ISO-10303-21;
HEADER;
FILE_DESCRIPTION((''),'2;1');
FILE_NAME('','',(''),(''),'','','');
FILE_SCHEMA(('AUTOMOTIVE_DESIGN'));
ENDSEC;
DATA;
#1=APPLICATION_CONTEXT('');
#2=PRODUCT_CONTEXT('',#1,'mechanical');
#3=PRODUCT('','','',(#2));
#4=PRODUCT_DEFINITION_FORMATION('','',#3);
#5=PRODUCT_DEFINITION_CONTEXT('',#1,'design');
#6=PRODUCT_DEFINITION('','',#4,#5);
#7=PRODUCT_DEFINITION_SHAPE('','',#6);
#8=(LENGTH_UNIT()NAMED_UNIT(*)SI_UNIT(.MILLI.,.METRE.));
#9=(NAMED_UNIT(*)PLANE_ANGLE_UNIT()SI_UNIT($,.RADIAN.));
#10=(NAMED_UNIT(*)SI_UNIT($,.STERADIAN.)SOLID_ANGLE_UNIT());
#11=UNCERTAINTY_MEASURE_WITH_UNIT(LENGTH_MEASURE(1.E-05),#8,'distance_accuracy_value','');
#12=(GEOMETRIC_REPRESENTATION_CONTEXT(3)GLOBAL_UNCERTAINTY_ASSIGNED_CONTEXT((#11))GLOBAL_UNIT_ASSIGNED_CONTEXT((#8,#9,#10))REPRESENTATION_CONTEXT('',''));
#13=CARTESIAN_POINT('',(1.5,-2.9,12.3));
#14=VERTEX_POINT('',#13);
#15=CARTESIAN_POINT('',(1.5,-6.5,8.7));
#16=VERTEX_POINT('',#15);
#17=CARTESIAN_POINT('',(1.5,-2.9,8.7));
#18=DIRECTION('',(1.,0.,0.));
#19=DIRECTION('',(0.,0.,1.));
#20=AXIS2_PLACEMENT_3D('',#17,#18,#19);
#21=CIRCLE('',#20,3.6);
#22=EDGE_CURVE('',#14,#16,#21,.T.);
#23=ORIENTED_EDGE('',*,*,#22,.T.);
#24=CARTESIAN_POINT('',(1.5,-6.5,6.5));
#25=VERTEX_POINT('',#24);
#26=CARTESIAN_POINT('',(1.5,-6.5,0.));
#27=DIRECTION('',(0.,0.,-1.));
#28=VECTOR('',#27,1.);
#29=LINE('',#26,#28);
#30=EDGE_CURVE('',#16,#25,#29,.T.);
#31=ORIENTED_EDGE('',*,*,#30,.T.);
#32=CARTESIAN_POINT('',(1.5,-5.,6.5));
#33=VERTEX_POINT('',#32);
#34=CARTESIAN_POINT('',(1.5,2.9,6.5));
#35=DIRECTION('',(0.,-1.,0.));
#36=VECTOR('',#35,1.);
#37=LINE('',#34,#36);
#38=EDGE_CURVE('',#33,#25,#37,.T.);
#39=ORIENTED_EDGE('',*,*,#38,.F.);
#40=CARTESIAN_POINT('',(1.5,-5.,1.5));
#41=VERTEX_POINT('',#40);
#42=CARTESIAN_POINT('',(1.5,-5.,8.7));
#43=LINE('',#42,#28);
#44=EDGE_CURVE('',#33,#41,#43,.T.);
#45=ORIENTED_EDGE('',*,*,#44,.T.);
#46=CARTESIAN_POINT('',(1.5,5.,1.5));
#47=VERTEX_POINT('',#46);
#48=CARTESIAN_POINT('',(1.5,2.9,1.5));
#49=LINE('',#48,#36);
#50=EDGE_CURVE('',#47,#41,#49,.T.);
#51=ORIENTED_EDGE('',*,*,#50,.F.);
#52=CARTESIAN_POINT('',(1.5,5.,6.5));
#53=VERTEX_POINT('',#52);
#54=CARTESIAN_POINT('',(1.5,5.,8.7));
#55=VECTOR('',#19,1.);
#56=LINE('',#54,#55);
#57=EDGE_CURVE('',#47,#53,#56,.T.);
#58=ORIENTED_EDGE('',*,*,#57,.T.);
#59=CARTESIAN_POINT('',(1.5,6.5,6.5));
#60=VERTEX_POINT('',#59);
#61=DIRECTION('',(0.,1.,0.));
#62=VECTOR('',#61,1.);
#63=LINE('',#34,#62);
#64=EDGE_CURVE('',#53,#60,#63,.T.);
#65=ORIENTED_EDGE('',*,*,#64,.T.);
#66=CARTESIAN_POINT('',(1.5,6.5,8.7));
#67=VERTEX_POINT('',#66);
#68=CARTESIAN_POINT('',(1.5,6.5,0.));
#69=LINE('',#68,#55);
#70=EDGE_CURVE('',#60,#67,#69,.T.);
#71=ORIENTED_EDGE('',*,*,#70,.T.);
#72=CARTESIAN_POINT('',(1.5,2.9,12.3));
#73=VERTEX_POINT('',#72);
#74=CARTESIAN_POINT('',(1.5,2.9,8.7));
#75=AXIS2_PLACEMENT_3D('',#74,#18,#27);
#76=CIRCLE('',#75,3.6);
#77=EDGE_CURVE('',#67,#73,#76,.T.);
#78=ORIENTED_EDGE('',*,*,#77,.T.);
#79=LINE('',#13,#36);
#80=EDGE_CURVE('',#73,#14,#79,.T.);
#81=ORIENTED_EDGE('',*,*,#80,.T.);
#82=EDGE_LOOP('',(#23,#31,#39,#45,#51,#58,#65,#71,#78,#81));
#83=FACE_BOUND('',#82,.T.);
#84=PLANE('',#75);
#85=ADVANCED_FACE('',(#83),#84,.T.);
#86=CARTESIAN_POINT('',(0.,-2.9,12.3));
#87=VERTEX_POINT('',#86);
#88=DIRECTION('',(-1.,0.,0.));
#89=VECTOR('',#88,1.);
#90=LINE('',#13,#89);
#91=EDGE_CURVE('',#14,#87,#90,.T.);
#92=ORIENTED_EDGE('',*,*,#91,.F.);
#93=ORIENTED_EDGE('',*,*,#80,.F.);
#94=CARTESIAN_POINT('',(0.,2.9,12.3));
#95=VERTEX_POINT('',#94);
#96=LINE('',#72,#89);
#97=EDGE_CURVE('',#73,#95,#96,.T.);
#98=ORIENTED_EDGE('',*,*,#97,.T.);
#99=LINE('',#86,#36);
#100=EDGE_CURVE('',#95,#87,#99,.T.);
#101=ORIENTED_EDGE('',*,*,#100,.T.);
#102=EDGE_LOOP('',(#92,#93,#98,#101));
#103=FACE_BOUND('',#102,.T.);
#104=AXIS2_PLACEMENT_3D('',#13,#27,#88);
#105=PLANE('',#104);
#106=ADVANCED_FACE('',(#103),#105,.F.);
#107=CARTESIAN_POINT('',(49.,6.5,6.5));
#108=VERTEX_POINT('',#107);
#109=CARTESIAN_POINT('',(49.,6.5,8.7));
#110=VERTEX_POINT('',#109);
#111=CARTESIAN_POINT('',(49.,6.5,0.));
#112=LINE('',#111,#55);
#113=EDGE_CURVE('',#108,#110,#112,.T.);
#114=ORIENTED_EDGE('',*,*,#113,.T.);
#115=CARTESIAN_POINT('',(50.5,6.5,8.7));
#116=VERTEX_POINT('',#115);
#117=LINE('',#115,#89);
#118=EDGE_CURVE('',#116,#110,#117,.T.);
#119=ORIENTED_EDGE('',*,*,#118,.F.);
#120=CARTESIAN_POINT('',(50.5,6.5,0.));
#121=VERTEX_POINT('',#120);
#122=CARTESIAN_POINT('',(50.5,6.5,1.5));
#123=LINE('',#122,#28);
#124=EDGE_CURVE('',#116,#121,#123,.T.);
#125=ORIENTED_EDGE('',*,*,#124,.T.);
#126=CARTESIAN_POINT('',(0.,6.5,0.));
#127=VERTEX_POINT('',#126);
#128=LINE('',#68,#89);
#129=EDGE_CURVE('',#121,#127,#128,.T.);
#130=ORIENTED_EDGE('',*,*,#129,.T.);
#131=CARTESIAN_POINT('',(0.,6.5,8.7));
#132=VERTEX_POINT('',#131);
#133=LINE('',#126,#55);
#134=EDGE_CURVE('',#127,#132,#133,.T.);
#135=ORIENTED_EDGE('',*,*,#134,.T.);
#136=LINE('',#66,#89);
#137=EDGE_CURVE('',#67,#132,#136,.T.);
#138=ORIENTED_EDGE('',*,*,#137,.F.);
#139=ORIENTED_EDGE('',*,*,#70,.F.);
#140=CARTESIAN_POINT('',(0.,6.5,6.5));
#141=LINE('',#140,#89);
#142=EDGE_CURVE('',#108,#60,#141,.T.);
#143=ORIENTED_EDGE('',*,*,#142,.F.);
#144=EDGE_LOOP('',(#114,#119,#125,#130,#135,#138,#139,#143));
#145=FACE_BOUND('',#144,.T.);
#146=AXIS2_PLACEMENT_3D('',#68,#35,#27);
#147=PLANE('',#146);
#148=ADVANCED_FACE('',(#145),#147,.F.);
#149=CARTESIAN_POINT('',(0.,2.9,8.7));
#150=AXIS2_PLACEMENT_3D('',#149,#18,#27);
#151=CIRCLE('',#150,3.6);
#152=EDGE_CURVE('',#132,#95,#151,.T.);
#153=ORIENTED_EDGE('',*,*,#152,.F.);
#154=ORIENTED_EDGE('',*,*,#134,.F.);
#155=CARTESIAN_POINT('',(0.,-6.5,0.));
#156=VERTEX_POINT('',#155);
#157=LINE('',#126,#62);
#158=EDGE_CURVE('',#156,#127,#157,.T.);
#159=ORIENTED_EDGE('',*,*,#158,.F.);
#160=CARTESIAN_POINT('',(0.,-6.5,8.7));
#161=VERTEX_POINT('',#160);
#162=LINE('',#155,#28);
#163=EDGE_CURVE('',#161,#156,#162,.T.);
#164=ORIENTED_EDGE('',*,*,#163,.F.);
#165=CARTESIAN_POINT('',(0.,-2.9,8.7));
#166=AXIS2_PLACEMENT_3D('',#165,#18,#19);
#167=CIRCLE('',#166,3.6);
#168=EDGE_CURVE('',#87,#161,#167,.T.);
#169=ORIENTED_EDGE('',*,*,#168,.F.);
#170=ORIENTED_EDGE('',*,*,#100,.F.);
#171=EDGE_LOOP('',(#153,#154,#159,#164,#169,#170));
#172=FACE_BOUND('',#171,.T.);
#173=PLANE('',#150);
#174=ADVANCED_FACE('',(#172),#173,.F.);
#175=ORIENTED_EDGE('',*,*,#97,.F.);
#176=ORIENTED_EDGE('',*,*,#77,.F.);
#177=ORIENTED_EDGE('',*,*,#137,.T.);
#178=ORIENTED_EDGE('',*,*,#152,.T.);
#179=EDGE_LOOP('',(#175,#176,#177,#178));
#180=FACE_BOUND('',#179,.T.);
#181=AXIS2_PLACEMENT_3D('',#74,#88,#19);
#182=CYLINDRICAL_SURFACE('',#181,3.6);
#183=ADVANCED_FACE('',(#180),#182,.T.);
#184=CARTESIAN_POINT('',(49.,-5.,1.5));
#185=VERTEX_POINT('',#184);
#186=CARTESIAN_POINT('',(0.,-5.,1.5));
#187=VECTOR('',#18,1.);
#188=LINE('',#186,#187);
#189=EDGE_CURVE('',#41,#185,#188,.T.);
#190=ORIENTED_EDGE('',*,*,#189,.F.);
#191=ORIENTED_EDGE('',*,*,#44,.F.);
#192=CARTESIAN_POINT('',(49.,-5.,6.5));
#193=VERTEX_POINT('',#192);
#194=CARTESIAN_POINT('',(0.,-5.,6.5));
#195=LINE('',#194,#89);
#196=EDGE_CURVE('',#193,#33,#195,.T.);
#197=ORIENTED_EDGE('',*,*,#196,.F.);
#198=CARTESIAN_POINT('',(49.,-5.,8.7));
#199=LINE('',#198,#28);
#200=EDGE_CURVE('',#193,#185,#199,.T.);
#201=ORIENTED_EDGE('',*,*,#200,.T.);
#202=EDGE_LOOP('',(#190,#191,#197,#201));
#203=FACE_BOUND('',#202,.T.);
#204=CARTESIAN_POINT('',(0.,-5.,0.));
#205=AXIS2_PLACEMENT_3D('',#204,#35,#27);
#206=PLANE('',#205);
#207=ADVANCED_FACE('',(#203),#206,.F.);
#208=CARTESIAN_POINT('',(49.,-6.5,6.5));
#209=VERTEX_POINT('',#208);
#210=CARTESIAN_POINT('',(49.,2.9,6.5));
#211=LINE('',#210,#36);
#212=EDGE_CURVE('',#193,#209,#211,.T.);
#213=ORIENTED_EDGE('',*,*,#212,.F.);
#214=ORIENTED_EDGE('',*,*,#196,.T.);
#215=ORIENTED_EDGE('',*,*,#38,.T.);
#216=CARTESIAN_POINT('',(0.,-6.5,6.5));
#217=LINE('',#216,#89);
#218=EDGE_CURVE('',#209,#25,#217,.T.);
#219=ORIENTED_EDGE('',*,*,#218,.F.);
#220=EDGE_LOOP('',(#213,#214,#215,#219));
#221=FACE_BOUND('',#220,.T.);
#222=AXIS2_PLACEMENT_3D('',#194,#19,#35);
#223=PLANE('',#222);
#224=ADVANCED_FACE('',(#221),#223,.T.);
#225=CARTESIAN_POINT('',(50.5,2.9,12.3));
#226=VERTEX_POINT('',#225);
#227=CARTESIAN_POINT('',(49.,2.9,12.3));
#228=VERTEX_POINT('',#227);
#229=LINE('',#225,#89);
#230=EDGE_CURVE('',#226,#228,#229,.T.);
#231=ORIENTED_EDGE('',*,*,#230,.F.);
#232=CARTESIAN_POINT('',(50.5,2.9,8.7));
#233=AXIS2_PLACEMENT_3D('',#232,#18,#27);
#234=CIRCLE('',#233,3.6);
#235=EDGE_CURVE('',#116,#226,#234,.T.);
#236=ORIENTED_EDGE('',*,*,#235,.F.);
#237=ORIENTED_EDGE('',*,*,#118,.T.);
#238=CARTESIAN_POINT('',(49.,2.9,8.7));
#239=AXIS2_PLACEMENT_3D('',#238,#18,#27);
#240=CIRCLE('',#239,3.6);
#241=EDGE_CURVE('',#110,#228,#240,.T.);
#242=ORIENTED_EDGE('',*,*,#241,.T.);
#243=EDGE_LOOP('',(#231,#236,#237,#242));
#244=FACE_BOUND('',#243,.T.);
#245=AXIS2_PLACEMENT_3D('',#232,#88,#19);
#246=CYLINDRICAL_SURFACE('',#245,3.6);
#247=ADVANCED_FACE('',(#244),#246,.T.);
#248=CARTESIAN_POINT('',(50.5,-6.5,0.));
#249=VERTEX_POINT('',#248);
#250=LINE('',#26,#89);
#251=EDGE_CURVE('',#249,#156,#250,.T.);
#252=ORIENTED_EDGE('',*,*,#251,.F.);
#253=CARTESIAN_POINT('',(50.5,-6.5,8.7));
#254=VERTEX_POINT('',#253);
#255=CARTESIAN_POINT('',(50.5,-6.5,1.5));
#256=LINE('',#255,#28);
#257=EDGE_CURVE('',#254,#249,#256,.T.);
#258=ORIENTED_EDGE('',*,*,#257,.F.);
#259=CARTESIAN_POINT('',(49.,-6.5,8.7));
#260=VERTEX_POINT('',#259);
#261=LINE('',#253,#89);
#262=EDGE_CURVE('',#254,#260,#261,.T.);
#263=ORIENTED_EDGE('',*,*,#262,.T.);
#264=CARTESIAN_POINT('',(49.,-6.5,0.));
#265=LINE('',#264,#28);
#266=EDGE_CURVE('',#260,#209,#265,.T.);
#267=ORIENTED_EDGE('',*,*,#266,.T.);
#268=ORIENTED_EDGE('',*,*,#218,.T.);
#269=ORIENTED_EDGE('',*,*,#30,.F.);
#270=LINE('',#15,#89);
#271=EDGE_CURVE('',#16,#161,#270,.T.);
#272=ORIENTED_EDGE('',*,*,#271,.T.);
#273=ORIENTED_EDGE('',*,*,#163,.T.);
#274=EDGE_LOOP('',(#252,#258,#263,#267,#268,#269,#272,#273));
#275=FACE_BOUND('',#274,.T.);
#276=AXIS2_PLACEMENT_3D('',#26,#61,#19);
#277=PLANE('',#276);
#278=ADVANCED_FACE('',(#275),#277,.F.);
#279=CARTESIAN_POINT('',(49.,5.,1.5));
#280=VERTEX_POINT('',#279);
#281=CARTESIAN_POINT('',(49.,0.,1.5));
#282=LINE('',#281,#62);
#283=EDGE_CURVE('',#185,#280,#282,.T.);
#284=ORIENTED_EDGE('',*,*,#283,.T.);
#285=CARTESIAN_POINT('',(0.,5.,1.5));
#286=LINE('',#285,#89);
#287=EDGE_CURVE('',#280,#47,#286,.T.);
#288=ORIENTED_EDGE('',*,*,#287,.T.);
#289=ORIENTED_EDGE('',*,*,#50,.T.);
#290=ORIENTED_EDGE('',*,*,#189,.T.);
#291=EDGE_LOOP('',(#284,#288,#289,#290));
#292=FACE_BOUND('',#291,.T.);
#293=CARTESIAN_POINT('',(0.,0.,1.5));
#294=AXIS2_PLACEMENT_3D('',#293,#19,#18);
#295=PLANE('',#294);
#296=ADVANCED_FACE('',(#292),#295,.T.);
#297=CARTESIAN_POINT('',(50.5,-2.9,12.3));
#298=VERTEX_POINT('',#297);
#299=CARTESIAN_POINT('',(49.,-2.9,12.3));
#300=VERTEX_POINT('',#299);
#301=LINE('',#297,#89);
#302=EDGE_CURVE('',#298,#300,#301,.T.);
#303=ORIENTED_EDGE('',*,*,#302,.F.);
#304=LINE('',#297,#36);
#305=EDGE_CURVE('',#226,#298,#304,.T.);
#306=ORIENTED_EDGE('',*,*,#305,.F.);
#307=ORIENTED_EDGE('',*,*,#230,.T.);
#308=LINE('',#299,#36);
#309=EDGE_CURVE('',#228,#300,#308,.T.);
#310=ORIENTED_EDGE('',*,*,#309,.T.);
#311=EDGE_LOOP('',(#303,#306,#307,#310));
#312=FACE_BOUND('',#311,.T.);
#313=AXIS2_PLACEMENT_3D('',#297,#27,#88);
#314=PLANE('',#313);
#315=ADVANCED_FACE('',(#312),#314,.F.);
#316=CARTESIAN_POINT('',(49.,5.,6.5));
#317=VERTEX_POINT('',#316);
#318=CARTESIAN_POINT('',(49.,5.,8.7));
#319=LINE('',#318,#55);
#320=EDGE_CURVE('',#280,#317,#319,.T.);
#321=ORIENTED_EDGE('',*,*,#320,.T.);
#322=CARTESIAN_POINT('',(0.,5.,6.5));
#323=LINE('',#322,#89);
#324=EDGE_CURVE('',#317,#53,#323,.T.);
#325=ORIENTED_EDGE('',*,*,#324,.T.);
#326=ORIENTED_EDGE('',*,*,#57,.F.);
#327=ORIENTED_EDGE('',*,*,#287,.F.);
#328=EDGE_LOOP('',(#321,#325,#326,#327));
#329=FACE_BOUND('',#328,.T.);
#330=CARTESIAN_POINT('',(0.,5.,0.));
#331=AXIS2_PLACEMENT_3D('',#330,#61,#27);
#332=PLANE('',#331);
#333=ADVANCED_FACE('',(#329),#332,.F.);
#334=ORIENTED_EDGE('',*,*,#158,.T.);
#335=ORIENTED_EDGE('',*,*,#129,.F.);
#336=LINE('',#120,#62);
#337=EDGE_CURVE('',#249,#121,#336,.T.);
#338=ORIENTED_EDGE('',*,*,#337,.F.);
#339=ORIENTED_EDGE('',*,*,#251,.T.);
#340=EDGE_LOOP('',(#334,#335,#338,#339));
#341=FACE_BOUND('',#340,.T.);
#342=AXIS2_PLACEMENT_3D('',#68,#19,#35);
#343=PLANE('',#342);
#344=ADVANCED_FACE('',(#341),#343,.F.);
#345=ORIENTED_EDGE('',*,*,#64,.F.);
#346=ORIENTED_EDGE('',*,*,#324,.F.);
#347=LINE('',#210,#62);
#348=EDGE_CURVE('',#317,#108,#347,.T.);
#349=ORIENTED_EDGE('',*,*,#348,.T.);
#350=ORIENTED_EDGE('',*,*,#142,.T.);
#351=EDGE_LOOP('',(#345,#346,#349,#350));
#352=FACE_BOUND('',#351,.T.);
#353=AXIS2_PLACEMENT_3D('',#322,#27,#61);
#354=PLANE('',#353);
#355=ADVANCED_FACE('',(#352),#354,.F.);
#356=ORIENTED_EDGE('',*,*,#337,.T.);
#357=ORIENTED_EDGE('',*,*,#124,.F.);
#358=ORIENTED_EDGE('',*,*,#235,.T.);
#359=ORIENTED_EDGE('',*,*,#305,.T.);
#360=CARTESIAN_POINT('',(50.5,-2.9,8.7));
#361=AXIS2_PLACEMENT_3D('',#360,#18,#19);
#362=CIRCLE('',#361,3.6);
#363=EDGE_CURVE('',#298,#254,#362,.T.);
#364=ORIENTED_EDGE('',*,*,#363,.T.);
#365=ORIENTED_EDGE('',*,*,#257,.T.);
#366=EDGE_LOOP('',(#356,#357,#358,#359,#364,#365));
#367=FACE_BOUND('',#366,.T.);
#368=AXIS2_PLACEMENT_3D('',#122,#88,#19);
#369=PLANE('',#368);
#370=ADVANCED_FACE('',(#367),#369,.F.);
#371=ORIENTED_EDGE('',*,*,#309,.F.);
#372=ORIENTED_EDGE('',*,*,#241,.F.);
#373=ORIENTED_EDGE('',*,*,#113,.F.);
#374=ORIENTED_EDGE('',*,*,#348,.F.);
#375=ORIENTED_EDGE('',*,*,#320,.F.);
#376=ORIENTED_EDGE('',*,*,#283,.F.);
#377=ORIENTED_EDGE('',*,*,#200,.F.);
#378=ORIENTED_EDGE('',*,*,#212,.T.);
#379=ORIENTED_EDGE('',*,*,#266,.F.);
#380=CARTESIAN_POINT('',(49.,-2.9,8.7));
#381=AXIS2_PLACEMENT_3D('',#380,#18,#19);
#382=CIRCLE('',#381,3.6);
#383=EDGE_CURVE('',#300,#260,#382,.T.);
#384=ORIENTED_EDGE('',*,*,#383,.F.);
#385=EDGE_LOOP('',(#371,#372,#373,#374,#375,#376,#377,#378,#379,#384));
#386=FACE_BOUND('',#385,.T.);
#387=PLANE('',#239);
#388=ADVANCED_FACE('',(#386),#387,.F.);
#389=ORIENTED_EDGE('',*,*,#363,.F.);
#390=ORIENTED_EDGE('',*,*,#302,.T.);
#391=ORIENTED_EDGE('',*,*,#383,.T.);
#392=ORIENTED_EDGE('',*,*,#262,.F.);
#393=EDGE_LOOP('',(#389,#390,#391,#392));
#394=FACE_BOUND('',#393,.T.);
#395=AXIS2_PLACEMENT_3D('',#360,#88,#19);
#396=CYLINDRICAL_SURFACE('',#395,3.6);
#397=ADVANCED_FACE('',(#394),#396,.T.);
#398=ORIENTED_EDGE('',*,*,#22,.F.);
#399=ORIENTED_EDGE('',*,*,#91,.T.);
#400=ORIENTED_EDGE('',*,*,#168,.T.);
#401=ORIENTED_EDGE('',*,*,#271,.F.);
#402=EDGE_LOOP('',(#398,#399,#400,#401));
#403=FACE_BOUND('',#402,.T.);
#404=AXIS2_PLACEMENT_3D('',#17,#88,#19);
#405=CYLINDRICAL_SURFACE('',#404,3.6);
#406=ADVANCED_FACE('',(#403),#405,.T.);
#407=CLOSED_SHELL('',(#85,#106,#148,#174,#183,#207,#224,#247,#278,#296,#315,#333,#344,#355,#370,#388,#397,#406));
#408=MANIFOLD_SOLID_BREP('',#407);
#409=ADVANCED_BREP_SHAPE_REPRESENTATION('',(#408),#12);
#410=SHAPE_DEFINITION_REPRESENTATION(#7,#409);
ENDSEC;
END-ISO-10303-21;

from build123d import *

# Parameters (mm, degrees)
BOSS_EXTRUDE1_DEPTH = 1.5
LPATTERN1_COUNT     = 2
LPATTERN1_PITCH     = 49
SKETCH2_W           = 50.5
SKETCH2_H           = 13
BOSS_EXTRUDE2_DEPTH = 1.5
SKETCH3_W           = 50.5
SKETCH3_H           = 6.5
BOSS_EXTRUDE3_DEPTH = 1.5


with BuildPart() as part:
    # Sketch1 → Boss-Extrude1 (new body)
    with BuildSketch(Plane(origin=(0, 0, 0), x_dir=(0, 0, -1), z_dir=(1, 0, 0))):
        with BuildLine():
            Line((0, 6.5), (0, -6.5))
            Line((0, -6.5), (-8.7, -6.5))
            ThreePointArc((-8.7, -6.5), (-11.245584412, -5.445584412), (-12.3, -2.9))
            Line((-12.3, -2.9), (-12.3, 2.9))
            ThreePointArc((-12.3, 2.9), (-11.245584412, 5.445584412), (-8.7, 6.5))
            Line((-8.7, 6.5), (0, 6.5))
        make_face()
    extrude(amount=BOSS_EXTRUDE1_DEPTH)


with BuildPart() as lpattern1_1:
    # LPattern1: pattern copy
    add(part.part.moved(Location(Vector(1, 0, 0) * (1 * LPATTERN1_PITCH))))


with BuildPart() as part_1:
    add(part.part)

    add(lpattern1_1.part)  # Boss-Extrude2 merges LPattern1_1
    # Sketch2 → Boss-Extrude2 (add)
    with BuildSketch(Plane.XY):
        with Locations((25.25, 0)):
            Rectangle(SKETCH2_W, SKETCH2_H)
    extrude(amount=BOSS_EXTRUDE2_DEPTH)

    # Sketch3 → Boss-Extrude3 (add)
    with BuildSketch(Plane.XZ.offset(6.5)):
        with Locations((25.25, 3.25)):
            Rectangle(SKETCH3_W, SKETCH3_H)
    boss_extrude3 = extrude(amount=-BOSS_EXTRUDE3_DEPTH)

    # Mirror1: Boss-Extrude3 across plane
    add(boss_extrude3.mirror(Plane.ZX))


solid = part_1.part
